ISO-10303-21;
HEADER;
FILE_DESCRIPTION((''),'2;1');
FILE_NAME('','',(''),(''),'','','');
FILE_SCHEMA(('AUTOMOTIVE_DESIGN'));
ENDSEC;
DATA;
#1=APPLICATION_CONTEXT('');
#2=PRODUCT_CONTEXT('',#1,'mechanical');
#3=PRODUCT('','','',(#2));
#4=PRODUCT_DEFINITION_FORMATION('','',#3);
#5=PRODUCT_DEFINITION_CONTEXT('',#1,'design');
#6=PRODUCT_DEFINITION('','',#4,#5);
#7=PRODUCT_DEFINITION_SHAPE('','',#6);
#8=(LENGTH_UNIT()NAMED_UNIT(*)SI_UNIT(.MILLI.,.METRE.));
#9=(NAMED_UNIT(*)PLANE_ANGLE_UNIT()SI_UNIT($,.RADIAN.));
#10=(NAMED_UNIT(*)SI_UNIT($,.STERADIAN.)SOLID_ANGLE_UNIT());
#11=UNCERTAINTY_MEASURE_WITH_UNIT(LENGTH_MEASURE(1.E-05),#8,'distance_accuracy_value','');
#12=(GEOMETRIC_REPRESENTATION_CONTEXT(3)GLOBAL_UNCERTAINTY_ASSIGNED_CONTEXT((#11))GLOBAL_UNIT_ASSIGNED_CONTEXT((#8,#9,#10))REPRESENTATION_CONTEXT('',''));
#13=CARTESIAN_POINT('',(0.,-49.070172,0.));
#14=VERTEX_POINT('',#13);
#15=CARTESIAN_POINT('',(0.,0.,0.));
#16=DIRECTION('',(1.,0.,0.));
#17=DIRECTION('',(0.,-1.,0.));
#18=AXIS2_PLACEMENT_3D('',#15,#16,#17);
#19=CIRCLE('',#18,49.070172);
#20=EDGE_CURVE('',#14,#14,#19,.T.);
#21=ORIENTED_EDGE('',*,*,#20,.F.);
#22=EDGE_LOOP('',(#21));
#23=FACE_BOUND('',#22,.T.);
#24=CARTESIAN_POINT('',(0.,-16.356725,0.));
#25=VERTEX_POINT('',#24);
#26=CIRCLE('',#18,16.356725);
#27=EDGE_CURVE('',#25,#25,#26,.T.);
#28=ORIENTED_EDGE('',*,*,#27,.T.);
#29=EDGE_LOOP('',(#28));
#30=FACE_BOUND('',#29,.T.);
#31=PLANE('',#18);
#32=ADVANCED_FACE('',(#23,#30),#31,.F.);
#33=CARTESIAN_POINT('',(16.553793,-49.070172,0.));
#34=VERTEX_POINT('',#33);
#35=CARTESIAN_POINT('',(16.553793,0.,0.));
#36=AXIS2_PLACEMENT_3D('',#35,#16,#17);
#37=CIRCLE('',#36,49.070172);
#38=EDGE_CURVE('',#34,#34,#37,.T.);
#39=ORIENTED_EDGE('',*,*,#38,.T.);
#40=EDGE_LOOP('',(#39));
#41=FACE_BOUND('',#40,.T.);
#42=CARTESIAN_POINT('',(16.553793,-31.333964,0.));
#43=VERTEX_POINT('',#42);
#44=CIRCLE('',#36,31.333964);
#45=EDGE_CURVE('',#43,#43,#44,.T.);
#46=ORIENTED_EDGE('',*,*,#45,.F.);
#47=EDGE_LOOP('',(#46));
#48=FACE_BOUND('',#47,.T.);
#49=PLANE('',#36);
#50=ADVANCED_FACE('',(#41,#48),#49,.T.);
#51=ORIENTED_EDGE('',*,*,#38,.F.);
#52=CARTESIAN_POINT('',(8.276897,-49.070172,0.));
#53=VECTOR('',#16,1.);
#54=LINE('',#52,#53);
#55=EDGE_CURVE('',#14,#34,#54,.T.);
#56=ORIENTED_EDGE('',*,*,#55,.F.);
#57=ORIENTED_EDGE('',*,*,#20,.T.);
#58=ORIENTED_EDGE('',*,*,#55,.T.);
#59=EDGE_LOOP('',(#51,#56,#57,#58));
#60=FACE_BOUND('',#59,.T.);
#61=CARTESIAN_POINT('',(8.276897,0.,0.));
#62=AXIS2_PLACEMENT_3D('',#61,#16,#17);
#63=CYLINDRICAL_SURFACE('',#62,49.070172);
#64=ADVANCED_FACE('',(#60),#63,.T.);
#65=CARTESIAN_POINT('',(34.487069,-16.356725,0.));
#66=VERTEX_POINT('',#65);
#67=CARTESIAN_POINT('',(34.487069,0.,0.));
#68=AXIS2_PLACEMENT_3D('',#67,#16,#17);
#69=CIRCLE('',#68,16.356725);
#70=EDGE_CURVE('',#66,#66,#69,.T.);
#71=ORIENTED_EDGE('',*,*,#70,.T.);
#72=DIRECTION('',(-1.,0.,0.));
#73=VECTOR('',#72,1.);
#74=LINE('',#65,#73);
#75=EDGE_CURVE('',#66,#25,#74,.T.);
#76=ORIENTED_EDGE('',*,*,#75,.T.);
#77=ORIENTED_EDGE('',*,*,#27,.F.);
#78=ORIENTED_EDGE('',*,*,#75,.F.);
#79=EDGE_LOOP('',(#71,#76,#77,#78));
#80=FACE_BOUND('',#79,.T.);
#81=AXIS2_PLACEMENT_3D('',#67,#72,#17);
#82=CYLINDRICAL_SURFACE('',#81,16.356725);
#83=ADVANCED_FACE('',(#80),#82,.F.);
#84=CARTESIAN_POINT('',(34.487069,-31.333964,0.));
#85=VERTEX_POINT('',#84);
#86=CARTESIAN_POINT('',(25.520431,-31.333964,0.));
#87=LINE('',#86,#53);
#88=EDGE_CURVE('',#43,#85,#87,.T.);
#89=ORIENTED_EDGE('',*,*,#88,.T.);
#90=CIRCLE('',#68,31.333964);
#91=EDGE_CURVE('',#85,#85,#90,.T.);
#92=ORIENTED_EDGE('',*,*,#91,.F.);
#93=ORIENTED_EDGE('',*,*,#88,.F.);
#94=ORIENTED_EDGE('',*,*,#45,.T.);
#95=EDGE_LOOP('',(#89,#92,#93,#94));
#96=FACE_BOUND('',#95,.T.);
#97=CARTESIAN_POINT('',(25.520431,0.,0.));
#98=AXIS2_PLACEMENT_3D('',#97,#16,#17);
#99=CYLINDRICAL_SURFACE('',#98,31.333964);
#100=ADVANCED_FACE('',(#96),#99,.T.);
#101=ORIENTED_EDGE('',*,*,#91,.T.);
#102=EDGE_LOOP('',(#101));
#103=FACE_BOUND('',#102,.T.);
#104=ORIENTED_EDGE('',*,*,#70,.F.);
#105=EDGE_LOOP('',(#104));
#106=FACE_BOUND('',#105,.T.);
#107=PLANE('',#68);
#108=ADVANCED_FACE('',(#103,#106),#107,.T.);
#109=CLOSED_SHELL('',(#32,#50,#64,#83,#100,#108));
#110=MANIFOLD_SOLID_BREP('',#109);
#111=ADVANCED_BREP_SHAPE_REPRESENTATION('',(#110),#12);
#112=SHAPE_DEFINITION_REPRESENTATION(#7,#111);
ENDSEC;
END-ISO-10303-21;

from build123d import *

# Parameters (mm, degrees)
F0_W   = 16.5537931025
F0_H   = 17.7362076938
F0_W_2 = 17.9332755506
F0_H_2 = 14.9772390723


with BuildPart() as f1:
    # F0 (on Top) → F1 (revolve)
    with BuildSketch(Plane.XY):
        with Locations((8.2768965513, -40.2020681649)):
            Rectangle(F0_W, F0_H)
        with Locations((25.5204308778, -23.8453447819)):
            Rectangle(F0_W_2, F0_H_2)
        with Locations((8.2768965513, -23.8453447819)):
            Rectangle(F0_W, F0_H_2)
    revolve(axis=Axis((15.8640518785, 0, 0), (1, 0, 0)))


solid = f1.part
